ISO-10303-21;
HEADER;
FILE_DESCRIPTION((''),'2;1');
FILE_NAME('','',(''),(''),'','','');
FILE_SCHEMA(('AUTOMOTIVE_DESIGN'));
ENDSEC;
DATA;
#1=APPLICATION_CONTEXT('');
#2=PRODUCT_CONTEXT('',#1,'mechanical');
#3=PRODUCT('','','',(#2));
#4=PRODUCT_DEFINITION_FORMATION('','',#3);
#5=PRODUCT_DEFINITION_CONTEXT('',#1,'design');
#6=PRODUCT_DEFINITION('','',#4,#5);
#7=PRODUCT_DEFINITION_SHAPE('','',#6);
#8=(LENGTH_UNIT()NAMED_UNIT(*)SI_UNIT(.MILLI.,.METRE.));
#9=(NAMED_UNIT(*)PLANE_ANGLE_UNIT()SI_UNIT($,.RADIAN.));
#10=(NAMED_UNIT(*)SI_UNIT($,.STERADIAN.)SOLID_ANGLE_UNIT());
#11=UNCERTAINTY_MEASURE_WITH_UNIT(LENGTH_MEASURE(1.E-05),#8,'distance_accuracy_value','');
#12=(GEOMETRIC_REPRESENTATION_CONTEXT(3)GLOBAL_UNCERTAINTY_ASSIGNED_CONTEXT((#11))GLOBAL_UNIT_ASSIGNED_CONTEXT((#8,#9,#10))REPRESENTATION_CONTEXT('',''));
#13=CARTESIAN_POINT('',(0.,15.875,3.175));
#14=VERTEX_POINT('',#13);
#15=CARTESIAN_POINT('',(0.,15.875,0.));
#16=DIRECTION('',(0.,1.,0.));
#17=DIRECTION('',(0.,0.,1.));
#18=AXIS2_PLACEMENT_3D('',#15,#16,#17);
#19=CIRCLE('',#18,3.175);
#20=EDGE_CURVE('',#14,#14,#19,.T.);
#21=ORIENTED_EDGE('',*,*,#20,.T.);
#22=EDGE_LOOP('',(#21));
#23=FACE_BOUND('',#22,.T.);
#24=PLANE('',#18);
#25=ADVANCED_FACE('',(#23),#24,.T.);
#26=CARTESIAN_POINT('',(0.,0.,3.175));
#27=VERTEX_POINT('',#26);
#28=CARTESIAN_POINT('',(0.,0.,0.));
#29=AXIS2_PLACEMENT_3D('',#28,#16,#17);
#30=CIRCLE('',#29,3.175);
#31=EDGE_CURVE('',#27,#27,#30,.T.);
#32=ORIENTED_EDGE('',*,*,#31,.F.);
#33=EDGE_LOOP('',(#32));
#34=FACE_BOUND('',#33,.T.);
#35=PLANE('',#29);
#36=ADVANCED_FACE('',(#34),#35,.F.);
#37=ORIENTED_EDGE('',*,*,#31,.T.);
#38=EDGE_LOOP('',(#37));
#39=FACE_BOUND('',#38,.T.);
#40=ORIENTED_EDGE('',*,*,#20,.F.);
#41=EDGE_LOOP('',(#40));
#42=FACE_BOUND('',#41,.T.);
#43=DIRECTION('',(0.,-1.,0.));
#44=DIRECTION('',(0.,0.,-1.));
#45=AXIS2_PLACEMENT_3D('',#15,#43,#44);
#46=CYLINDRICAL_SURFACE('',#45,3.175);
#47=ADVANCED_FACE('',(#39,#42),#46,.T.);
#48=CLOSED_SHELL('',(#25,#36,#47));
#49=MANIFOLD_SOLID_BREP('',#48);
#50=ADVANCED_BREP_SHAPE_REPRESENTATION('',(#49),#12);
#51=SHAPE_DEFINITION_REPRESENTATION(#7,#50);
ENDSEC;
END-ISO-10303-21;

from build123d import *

# Parameters (mm, degrees)
SKETCH1_R           = 3.175
BOSS_EXTRUDE1_DEPTH = 15.875


with BuildPart() as part:
    # Sketch1 → Boss-Extrude1 (new body)
    with BuildSketch(Plane(origin=(0, 0, 0), x_dir=(1, 0, 0), z_dir=(0, 1, 0))):
        Circle(SKETCH1_R)
    extrude(amount=BOSS_EXTRUDE1_DEPTH)


solid = part.part
